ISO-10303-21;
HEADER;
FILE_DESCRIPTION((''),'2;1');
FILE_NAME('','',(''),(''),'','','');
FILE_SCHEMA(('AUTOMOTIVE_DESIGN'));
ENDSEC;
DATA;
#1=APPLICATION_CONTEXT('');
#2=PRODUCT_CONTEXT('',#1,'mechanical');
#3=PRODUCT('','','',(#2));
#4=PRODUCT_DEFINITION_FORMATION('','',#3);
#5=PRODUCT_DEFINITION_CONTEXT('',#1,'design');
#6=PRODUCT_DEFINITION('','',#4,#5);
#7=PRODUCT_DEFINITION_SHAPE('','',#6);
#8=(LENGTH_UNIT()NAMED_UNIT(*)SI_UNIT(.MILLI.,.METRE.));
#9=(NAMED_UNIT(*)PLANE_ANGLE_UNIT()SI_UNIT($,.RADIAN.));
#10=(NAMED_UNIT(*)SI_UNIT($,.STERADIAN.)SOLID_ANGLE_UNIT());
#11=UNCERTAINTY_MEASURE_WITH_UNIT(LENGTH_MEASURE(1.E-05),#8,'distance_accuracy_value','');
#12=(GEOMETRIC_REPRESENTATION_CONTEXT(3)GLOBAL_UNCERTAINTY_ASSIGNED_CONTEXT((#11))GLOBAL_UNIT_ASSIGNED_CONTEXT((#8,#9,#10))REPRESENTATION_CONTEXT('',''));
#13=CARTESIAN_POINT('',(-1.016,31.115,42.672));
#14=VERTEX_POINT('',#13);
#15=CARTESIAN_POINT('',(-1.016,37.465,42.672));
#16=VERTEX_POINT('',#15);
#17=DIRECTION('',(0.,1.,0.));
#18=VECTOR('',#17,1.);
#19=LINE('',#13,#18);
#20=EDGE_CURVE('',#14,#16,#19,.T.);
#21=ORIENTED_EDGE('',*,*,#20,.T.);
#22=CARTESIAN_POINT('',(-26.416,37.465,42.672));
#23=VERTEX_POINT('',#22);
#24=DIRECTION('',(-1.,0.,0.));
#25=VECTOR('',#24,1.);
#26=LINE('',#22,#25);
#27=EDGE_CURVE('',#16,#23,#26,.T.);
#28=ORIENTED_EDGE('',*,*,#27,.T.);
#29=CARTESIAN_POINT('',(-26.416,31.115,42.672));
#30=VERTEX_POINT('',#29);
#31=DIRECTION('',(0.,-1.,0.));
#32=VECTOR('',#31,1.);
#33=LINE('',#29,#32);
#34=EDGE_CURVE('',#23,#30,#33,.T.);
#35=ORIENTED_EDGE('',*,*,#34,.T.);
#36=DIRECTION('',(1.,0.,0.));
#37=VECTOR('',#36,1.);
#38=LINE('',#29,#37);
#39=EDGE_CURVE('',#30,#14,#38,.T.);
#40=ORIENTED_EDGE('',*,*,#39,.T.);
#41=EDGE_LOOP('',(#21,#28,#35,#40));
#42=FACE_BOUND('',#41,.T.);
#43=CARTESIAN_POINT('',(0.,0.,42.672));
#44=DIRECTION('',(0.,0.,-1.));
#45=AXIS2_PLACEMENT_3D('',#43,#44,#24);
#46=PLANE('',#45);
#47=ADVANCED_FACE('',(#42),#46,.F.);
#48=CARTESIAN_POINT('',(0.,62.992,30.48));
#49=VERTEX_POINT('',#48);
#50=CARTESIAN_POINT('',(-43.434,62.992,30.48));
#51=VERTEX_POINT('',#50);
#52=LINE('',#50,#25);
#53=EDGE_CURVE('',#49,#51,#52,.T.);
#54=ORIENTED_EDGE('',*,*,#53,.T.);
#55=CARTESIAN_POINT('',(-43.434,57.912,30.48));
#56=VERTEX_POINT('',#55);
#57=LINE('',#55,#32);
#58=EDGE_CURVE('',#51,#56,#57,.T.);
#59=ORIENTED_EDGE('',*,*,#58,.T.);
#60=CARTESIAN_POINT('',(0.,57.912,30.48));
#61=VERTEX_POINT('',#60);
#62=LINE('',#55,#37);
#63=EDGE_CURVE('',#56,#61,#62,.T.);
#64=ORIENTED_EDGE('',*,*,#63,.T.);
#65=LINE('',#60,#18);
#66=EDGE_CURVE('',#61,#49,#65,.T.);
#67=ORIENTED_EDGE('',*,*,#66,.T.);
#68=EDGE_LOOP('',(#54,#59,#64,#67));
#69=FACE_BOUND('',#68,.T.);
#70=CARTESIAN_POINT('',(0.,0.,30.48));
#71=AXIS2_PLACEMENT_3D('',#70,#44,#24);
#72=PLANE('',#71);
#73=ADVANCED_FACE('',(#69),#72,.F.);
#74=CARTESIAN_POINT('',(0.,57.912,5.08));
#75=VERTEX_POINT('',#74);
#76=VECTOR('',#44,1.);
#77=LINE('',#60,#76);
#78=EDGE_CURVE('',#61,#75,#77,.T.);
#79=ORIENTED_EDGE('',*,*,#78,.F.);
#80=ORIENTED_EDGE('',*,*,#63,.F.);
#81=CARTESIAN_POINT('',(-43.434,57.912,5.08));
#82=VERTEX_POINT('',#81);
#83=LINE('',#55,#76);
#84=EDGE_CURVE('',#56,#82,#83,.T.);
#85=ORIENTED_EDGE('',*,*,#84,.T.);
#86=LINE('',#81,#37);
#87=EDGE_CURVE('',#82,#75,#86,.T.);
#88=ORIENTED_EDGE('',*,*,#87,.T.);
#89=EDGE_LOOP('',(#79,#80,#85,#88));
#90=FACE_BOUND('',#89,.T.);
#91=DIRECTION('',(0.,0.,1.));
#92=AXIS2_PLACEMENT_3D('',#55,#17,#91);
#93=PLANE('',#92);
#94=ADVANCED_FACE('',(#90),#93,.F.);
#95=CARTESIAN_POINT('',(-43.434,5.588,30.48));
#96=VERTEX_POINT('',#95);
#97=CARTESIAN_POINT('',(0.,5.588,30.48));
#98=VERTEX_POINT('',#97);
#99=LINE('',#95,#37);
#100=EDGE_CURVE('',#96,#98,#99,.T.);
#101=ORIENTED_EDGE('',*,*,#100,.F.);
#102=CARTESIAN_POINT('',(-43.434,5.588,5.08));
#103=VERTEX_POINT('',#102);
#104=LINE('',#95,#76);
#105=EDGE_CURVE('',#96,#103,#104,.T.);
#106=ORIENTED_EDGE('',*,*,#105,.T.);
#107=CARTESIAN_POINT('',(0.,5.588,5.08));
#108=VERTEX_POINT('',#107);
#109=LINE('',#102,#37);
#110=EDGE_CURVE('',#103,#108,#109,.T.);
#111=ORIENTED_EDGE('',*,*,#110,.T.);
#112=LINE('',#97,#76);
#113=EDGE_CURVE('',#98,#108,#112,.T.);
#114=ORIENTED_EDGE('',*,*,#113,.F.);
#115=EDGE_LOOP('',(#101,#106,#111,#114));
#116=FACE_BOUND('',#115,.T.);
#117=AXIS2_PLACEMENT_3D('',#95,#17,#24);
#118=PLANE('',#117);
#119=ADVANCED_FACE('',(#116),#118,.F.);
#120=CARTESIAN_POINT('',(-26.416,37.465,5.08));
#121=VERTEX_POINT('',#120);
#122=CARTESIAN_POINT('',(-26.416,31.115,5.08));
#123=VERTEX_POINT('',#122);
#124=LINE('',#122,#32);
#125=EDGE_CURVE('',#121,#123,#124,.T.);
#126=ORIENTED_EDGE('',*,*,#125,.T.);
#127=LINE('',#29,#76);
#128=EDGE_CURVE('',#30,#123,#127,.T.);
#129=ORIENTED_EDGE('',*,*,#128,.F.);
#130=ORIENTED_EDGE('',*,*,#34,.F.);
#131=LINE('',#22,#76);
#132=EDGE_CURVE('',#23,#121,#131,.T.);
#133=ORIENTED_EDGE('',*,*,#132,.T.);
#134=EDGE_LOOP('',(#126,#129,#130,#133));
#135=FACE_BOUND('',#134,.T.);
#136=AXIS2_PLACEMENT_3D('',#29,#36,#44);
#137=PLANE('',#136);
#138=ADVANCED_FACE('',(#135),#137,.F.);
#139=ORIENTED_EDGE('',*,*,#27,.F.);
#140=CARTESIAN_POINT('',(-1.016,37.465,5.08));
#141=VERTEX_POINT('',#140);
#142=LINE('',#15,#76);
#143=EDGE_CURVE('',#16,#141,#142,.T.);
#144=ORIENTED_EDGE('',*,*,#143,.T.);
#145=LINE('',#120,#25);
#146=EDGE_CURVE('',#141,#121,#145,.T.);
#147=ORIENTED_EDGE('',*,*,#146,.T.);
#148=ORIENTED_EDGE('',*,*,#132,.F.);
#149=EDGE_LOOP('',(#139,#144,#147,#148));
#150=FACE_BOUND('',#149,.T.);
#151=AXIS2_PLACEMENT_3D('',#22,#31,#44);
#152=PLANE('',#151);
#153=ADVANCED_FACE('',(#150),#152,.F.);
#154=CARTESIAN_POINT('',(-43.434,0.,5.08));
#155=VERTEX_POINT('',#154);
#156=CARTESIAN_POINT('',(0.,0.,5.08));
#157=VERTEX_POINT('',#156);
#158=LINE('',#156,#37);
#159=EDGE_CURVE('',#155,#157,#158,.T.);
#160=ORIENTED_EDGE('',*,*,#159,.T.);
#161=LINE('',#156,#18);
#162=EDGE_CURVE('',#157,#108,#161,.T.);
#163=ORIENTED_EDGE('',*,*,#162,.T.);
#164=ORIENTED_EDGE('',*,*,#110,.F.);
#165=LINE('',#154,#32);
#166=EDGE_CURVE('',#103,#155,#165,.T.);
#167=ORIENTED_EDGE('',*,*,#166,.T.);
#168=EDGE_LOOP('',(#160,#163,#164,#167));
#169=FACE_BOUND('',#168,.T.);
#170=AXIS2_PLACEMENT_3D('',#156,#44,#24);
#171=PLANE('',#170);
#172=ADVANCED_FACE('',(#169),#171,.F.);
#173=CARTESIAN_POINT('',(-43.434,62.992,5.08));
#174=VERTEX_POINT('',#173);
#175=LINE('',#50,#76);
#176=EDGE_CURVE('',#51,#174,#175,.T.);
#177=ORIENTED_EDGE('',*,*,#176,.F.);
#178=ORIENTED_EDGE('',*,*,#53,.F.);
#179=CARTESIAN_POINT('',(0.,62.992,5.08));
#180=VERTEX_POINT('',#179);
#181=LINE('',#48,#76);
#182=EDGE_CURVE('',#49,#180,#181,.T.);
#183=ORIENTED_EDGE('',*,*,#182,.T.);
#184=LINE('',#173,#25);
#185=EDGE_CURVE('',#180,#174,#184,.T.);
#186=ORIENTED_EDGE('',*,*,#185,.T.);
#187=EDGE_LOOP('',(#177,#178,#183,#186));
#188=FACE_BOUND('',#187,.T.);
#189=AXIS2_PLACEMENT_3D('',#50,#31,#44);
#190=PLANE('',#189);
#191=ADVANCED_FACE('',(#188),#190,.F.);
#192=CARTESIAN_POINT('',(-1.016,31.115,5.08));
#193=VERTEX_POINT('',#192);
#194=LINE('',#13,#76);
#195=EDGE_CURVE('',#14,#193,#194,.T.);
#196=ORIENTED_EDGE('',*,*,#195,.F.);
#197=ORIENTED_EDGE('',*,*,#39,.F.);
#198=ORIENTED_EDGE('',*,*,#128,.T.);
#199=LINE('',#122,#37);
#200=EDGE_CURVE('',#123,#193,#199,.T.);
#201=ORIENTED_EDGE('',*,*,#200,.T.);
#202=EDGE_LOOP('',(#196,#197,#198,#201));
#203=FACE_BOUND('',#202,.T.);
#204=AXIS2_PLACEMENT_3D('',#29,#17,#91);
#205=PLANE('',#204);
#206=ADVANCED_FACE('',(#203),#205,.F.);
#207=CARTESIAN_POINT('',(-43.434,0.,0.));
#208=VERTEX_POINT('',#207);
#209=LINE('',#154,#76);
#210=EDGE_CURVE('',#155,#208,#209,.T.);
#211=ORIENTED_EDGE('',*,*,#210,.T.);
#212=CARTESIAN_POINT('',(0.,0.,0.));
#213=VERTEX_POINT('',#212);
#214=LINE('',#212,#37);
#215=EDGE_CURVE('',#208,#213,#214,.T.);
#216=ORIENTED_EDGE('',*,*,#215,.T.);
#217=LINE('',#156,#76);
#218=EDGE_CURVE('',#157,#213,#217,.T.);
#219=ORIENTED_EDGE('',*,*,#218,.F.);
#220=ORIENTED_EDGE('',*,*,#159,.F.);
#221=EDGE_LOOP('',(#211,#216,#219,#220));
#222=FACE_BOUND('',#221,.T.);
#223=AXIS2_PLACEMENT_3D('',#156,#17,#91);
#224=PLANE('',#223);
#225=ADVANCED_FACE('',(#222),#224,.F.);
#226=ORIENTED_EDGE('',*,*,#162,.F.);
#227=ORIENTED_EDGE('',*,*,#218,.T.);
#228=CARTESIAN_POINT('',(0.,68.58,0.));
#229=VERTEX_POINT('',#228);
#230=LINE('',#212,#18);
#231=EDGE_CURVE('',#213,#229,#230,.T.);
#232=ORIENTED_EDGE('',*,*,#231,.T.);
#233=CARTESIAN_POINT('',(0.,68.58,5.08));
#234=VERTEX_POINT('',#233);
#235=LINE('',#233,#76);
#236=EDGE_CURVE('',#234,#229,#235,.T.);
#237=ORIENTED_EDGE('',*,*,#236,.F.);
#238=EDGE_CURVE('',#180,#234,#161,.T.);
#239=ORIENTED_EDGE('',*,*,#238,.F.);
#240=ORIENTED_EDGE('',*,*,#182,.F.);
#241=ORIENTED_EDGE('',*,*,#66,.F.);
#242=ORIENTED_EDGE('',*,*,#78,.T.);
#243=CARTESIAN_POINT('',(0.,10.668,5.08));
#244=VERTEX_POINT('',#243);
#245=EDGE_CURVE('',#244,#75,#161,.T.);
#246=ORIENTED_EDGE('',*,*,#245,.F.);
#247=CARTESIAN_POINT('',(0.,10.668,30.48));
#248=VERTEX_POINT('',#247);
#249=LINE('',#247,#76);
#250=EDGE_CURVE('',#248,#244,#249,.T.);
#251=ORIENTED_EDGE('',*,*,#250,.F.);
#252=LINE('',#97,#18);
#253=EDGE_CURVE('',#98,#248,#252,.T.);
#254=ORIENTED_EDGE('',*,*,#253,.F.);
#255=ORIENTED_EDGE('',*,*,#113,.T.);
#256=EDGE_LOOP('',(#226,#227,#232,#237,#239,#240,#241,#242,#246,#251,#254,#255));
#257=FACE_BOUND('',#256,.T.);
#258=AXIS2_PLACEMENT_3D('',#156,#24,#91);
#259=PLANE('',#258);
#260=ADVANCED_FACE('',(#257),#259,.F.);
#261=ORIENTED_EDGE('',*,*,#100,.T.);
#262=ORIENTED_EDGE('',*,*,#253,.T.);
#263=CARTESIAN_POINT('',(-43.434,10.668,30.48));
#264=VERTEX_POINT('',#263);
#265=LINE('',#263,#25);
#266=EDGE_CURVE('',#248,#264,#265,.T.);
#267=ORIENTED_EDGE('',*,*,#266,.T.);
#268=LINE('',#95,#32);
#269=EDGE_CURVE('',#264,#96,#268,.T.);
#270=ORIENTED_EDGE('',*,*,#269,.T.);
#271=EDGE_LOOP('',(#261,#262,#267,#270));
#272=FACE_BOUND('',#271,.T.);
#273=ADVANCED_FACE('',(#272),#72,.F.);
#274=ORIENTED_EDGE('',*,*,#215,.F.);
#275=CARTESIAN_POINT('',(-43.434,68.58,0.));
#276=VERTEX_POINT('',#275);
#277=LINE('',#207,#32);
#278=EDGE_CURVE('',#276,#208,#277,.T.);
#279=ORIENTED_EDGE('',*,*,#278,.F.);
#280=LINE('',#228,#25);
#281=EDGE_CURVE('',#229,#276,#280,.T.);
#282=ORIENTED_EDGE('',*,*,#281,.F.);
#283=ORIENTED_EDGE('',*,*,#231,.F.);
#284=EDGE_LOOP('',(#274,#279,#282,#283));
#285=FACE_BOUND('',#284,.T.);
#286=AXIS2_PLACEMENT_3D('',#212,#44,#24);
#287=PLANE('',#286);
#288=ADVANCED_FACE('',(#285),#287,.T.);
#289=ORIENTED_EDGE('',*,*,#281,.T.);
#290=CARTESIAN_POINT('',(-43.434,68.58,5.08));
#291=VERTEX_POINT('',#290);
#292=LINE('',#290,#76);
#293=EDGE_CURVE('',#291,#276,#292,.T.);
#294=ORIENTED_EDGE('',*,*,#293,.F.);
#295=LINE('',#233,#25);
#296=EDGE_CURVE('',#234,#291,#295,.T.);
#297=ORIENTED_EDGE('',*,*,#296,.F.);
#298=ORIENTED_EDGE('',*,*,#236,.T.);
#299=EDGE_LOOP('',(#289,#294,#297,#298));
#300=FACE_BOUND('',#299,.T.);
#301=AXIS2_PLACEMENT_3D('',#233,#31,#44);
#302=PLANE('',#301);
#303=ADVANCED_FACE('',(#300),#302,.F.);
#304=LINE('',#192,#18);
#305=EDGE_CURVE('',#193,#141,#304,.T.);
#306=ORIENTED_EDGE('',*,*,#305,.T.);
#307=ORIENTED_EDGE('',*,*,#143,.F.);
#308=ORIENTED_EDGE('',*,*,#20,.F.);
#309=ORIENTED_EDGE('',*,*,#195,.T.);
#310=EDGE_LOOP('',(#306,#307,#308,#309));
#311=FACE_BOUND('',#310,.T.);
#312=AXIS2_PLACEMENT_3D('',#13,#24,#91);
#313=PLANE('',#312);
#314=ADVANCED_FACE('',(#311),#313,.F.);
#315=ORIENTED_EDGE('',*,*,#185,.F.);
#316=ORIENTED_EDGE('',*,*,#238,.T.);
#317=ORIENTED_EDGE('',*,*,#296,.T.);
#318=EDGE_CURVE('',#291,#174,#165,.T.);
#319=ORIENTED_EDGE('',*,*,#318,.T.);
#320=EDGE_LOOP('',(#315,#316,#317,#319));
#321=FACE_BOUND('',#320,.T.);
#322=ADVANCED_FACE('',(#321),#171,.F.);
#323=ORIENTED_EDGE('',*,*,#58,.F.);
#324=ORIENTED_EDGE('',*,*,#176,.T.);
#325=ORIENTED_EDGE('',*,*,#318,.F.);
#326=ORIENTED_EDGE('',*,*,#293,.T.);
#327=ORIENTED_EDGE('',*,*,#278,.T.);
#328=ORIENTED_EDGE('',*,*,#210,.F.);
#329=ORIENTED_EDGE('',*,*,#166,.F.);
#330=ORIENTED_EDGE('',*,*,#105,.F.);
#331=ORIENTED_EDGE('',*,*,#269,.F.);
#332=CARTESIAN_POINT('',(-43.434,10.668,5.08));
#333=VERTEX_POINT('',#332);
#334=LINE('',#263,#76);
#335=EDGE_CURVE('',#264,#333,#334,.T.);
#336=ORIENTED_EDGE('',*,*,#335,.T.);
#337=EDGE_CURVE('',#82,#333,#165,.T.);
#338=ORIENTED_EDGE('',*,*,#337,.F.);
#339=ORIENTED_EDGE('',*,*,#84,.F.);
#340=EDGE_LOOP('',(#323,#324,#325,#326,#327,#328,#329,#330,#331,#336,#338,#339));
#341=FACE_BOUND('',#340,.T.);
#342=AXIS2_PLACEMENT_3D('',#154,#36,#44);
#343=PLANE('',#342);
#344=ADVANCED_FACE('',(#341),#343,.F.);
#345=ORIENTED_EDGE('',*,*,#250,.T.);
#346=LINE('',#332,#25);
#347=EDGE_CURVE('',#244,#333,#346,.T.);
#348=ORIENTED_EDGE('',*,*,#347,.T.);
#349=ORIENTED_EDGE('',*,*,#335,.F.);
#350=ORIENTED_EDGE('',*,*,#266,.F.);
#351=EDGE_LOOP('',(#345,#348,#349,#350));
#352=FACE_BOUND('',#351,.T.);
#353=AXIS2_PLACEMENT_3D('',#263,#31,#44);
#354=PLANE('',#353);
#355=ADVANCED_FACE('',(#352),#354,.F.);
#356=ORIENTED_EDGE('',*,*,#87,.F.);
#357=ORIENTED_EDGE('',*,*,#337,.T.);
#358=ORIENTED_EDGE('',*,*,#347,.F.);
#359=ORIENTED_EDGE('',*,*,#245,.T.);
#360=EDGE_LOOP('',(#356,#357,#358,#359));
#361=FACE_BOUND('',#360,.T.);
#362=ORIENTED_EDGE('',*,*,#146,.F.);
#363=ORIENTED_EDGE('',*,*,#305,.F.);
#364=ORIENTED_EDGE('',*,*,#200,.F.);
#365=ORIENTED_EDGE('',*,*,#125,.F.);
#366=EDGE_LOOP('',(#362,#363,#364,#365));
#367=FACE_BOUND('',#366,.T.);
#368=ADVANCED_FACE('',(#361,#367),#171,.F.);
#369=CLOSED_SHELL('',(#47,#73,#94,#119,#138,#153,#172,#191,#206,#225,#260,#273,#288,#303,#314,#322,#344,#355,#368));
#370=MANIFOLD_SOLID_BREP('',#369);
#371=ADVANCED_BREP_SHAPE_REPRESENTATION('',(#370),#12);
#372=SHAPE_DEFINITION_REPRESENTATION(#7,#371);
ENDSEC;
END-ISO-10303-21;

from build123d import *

# Parameters (mm, degrees)
SKETCH1_W           = 68.58
SKETCH1_H           = 43.434
BOSS_EXTRUDE1_DEPTH = 5.08
SKETCH2_W           = 43.434
SKETCH2_H           = 5.08
BOSS_EXTRUDE2_DEPTH = 25.4
SKETCH3_W           = 25.4
SKETCH3_H           = 6.35
BOSS_EXTRUDE3_DEPTH = 37.592


with BuildPart() as part:
    # Sketch1 → Boss-Extrude1 (new body)
    with BuildSketch(Plane(origin=(0, 0, 0), x_dir=(0, 1, 0), z_dir=(0, 0, 1))):
        with Locations((34.29, 21.717)):
            Rectangle(SKETCH1_W, SKETCH1_H)
    extrude(amount=BOSS_EXTRUDE1_DEPTH)

    # Sketch2 → Boss-Extrude2 (add)
    with BuildSketch(Plane.XY.offset(5.08)):
        with Locations((-21.717, 8.128)):
            Rectangle(SKETCH2_W, SKETCH2_H)
        with Locations((-21.717, 60.452)):
            Rectangle(SKETCH2_W, SKETCH2_H)
    extrude(amount=BOSS_EXTRUDE2_DEPTH)

    # Sketch3 → Boss-Extrude3 (add)
    with BuildSketch(Plane.XY.offset(5.08)):
        with Locations((-13.716, 34.29)):
            Rectangle(SKETCH3_W, SKETCH3_H)
    extrude(amount=BOSS_EXTRUDE3_DEPTH)


solid = part.part
